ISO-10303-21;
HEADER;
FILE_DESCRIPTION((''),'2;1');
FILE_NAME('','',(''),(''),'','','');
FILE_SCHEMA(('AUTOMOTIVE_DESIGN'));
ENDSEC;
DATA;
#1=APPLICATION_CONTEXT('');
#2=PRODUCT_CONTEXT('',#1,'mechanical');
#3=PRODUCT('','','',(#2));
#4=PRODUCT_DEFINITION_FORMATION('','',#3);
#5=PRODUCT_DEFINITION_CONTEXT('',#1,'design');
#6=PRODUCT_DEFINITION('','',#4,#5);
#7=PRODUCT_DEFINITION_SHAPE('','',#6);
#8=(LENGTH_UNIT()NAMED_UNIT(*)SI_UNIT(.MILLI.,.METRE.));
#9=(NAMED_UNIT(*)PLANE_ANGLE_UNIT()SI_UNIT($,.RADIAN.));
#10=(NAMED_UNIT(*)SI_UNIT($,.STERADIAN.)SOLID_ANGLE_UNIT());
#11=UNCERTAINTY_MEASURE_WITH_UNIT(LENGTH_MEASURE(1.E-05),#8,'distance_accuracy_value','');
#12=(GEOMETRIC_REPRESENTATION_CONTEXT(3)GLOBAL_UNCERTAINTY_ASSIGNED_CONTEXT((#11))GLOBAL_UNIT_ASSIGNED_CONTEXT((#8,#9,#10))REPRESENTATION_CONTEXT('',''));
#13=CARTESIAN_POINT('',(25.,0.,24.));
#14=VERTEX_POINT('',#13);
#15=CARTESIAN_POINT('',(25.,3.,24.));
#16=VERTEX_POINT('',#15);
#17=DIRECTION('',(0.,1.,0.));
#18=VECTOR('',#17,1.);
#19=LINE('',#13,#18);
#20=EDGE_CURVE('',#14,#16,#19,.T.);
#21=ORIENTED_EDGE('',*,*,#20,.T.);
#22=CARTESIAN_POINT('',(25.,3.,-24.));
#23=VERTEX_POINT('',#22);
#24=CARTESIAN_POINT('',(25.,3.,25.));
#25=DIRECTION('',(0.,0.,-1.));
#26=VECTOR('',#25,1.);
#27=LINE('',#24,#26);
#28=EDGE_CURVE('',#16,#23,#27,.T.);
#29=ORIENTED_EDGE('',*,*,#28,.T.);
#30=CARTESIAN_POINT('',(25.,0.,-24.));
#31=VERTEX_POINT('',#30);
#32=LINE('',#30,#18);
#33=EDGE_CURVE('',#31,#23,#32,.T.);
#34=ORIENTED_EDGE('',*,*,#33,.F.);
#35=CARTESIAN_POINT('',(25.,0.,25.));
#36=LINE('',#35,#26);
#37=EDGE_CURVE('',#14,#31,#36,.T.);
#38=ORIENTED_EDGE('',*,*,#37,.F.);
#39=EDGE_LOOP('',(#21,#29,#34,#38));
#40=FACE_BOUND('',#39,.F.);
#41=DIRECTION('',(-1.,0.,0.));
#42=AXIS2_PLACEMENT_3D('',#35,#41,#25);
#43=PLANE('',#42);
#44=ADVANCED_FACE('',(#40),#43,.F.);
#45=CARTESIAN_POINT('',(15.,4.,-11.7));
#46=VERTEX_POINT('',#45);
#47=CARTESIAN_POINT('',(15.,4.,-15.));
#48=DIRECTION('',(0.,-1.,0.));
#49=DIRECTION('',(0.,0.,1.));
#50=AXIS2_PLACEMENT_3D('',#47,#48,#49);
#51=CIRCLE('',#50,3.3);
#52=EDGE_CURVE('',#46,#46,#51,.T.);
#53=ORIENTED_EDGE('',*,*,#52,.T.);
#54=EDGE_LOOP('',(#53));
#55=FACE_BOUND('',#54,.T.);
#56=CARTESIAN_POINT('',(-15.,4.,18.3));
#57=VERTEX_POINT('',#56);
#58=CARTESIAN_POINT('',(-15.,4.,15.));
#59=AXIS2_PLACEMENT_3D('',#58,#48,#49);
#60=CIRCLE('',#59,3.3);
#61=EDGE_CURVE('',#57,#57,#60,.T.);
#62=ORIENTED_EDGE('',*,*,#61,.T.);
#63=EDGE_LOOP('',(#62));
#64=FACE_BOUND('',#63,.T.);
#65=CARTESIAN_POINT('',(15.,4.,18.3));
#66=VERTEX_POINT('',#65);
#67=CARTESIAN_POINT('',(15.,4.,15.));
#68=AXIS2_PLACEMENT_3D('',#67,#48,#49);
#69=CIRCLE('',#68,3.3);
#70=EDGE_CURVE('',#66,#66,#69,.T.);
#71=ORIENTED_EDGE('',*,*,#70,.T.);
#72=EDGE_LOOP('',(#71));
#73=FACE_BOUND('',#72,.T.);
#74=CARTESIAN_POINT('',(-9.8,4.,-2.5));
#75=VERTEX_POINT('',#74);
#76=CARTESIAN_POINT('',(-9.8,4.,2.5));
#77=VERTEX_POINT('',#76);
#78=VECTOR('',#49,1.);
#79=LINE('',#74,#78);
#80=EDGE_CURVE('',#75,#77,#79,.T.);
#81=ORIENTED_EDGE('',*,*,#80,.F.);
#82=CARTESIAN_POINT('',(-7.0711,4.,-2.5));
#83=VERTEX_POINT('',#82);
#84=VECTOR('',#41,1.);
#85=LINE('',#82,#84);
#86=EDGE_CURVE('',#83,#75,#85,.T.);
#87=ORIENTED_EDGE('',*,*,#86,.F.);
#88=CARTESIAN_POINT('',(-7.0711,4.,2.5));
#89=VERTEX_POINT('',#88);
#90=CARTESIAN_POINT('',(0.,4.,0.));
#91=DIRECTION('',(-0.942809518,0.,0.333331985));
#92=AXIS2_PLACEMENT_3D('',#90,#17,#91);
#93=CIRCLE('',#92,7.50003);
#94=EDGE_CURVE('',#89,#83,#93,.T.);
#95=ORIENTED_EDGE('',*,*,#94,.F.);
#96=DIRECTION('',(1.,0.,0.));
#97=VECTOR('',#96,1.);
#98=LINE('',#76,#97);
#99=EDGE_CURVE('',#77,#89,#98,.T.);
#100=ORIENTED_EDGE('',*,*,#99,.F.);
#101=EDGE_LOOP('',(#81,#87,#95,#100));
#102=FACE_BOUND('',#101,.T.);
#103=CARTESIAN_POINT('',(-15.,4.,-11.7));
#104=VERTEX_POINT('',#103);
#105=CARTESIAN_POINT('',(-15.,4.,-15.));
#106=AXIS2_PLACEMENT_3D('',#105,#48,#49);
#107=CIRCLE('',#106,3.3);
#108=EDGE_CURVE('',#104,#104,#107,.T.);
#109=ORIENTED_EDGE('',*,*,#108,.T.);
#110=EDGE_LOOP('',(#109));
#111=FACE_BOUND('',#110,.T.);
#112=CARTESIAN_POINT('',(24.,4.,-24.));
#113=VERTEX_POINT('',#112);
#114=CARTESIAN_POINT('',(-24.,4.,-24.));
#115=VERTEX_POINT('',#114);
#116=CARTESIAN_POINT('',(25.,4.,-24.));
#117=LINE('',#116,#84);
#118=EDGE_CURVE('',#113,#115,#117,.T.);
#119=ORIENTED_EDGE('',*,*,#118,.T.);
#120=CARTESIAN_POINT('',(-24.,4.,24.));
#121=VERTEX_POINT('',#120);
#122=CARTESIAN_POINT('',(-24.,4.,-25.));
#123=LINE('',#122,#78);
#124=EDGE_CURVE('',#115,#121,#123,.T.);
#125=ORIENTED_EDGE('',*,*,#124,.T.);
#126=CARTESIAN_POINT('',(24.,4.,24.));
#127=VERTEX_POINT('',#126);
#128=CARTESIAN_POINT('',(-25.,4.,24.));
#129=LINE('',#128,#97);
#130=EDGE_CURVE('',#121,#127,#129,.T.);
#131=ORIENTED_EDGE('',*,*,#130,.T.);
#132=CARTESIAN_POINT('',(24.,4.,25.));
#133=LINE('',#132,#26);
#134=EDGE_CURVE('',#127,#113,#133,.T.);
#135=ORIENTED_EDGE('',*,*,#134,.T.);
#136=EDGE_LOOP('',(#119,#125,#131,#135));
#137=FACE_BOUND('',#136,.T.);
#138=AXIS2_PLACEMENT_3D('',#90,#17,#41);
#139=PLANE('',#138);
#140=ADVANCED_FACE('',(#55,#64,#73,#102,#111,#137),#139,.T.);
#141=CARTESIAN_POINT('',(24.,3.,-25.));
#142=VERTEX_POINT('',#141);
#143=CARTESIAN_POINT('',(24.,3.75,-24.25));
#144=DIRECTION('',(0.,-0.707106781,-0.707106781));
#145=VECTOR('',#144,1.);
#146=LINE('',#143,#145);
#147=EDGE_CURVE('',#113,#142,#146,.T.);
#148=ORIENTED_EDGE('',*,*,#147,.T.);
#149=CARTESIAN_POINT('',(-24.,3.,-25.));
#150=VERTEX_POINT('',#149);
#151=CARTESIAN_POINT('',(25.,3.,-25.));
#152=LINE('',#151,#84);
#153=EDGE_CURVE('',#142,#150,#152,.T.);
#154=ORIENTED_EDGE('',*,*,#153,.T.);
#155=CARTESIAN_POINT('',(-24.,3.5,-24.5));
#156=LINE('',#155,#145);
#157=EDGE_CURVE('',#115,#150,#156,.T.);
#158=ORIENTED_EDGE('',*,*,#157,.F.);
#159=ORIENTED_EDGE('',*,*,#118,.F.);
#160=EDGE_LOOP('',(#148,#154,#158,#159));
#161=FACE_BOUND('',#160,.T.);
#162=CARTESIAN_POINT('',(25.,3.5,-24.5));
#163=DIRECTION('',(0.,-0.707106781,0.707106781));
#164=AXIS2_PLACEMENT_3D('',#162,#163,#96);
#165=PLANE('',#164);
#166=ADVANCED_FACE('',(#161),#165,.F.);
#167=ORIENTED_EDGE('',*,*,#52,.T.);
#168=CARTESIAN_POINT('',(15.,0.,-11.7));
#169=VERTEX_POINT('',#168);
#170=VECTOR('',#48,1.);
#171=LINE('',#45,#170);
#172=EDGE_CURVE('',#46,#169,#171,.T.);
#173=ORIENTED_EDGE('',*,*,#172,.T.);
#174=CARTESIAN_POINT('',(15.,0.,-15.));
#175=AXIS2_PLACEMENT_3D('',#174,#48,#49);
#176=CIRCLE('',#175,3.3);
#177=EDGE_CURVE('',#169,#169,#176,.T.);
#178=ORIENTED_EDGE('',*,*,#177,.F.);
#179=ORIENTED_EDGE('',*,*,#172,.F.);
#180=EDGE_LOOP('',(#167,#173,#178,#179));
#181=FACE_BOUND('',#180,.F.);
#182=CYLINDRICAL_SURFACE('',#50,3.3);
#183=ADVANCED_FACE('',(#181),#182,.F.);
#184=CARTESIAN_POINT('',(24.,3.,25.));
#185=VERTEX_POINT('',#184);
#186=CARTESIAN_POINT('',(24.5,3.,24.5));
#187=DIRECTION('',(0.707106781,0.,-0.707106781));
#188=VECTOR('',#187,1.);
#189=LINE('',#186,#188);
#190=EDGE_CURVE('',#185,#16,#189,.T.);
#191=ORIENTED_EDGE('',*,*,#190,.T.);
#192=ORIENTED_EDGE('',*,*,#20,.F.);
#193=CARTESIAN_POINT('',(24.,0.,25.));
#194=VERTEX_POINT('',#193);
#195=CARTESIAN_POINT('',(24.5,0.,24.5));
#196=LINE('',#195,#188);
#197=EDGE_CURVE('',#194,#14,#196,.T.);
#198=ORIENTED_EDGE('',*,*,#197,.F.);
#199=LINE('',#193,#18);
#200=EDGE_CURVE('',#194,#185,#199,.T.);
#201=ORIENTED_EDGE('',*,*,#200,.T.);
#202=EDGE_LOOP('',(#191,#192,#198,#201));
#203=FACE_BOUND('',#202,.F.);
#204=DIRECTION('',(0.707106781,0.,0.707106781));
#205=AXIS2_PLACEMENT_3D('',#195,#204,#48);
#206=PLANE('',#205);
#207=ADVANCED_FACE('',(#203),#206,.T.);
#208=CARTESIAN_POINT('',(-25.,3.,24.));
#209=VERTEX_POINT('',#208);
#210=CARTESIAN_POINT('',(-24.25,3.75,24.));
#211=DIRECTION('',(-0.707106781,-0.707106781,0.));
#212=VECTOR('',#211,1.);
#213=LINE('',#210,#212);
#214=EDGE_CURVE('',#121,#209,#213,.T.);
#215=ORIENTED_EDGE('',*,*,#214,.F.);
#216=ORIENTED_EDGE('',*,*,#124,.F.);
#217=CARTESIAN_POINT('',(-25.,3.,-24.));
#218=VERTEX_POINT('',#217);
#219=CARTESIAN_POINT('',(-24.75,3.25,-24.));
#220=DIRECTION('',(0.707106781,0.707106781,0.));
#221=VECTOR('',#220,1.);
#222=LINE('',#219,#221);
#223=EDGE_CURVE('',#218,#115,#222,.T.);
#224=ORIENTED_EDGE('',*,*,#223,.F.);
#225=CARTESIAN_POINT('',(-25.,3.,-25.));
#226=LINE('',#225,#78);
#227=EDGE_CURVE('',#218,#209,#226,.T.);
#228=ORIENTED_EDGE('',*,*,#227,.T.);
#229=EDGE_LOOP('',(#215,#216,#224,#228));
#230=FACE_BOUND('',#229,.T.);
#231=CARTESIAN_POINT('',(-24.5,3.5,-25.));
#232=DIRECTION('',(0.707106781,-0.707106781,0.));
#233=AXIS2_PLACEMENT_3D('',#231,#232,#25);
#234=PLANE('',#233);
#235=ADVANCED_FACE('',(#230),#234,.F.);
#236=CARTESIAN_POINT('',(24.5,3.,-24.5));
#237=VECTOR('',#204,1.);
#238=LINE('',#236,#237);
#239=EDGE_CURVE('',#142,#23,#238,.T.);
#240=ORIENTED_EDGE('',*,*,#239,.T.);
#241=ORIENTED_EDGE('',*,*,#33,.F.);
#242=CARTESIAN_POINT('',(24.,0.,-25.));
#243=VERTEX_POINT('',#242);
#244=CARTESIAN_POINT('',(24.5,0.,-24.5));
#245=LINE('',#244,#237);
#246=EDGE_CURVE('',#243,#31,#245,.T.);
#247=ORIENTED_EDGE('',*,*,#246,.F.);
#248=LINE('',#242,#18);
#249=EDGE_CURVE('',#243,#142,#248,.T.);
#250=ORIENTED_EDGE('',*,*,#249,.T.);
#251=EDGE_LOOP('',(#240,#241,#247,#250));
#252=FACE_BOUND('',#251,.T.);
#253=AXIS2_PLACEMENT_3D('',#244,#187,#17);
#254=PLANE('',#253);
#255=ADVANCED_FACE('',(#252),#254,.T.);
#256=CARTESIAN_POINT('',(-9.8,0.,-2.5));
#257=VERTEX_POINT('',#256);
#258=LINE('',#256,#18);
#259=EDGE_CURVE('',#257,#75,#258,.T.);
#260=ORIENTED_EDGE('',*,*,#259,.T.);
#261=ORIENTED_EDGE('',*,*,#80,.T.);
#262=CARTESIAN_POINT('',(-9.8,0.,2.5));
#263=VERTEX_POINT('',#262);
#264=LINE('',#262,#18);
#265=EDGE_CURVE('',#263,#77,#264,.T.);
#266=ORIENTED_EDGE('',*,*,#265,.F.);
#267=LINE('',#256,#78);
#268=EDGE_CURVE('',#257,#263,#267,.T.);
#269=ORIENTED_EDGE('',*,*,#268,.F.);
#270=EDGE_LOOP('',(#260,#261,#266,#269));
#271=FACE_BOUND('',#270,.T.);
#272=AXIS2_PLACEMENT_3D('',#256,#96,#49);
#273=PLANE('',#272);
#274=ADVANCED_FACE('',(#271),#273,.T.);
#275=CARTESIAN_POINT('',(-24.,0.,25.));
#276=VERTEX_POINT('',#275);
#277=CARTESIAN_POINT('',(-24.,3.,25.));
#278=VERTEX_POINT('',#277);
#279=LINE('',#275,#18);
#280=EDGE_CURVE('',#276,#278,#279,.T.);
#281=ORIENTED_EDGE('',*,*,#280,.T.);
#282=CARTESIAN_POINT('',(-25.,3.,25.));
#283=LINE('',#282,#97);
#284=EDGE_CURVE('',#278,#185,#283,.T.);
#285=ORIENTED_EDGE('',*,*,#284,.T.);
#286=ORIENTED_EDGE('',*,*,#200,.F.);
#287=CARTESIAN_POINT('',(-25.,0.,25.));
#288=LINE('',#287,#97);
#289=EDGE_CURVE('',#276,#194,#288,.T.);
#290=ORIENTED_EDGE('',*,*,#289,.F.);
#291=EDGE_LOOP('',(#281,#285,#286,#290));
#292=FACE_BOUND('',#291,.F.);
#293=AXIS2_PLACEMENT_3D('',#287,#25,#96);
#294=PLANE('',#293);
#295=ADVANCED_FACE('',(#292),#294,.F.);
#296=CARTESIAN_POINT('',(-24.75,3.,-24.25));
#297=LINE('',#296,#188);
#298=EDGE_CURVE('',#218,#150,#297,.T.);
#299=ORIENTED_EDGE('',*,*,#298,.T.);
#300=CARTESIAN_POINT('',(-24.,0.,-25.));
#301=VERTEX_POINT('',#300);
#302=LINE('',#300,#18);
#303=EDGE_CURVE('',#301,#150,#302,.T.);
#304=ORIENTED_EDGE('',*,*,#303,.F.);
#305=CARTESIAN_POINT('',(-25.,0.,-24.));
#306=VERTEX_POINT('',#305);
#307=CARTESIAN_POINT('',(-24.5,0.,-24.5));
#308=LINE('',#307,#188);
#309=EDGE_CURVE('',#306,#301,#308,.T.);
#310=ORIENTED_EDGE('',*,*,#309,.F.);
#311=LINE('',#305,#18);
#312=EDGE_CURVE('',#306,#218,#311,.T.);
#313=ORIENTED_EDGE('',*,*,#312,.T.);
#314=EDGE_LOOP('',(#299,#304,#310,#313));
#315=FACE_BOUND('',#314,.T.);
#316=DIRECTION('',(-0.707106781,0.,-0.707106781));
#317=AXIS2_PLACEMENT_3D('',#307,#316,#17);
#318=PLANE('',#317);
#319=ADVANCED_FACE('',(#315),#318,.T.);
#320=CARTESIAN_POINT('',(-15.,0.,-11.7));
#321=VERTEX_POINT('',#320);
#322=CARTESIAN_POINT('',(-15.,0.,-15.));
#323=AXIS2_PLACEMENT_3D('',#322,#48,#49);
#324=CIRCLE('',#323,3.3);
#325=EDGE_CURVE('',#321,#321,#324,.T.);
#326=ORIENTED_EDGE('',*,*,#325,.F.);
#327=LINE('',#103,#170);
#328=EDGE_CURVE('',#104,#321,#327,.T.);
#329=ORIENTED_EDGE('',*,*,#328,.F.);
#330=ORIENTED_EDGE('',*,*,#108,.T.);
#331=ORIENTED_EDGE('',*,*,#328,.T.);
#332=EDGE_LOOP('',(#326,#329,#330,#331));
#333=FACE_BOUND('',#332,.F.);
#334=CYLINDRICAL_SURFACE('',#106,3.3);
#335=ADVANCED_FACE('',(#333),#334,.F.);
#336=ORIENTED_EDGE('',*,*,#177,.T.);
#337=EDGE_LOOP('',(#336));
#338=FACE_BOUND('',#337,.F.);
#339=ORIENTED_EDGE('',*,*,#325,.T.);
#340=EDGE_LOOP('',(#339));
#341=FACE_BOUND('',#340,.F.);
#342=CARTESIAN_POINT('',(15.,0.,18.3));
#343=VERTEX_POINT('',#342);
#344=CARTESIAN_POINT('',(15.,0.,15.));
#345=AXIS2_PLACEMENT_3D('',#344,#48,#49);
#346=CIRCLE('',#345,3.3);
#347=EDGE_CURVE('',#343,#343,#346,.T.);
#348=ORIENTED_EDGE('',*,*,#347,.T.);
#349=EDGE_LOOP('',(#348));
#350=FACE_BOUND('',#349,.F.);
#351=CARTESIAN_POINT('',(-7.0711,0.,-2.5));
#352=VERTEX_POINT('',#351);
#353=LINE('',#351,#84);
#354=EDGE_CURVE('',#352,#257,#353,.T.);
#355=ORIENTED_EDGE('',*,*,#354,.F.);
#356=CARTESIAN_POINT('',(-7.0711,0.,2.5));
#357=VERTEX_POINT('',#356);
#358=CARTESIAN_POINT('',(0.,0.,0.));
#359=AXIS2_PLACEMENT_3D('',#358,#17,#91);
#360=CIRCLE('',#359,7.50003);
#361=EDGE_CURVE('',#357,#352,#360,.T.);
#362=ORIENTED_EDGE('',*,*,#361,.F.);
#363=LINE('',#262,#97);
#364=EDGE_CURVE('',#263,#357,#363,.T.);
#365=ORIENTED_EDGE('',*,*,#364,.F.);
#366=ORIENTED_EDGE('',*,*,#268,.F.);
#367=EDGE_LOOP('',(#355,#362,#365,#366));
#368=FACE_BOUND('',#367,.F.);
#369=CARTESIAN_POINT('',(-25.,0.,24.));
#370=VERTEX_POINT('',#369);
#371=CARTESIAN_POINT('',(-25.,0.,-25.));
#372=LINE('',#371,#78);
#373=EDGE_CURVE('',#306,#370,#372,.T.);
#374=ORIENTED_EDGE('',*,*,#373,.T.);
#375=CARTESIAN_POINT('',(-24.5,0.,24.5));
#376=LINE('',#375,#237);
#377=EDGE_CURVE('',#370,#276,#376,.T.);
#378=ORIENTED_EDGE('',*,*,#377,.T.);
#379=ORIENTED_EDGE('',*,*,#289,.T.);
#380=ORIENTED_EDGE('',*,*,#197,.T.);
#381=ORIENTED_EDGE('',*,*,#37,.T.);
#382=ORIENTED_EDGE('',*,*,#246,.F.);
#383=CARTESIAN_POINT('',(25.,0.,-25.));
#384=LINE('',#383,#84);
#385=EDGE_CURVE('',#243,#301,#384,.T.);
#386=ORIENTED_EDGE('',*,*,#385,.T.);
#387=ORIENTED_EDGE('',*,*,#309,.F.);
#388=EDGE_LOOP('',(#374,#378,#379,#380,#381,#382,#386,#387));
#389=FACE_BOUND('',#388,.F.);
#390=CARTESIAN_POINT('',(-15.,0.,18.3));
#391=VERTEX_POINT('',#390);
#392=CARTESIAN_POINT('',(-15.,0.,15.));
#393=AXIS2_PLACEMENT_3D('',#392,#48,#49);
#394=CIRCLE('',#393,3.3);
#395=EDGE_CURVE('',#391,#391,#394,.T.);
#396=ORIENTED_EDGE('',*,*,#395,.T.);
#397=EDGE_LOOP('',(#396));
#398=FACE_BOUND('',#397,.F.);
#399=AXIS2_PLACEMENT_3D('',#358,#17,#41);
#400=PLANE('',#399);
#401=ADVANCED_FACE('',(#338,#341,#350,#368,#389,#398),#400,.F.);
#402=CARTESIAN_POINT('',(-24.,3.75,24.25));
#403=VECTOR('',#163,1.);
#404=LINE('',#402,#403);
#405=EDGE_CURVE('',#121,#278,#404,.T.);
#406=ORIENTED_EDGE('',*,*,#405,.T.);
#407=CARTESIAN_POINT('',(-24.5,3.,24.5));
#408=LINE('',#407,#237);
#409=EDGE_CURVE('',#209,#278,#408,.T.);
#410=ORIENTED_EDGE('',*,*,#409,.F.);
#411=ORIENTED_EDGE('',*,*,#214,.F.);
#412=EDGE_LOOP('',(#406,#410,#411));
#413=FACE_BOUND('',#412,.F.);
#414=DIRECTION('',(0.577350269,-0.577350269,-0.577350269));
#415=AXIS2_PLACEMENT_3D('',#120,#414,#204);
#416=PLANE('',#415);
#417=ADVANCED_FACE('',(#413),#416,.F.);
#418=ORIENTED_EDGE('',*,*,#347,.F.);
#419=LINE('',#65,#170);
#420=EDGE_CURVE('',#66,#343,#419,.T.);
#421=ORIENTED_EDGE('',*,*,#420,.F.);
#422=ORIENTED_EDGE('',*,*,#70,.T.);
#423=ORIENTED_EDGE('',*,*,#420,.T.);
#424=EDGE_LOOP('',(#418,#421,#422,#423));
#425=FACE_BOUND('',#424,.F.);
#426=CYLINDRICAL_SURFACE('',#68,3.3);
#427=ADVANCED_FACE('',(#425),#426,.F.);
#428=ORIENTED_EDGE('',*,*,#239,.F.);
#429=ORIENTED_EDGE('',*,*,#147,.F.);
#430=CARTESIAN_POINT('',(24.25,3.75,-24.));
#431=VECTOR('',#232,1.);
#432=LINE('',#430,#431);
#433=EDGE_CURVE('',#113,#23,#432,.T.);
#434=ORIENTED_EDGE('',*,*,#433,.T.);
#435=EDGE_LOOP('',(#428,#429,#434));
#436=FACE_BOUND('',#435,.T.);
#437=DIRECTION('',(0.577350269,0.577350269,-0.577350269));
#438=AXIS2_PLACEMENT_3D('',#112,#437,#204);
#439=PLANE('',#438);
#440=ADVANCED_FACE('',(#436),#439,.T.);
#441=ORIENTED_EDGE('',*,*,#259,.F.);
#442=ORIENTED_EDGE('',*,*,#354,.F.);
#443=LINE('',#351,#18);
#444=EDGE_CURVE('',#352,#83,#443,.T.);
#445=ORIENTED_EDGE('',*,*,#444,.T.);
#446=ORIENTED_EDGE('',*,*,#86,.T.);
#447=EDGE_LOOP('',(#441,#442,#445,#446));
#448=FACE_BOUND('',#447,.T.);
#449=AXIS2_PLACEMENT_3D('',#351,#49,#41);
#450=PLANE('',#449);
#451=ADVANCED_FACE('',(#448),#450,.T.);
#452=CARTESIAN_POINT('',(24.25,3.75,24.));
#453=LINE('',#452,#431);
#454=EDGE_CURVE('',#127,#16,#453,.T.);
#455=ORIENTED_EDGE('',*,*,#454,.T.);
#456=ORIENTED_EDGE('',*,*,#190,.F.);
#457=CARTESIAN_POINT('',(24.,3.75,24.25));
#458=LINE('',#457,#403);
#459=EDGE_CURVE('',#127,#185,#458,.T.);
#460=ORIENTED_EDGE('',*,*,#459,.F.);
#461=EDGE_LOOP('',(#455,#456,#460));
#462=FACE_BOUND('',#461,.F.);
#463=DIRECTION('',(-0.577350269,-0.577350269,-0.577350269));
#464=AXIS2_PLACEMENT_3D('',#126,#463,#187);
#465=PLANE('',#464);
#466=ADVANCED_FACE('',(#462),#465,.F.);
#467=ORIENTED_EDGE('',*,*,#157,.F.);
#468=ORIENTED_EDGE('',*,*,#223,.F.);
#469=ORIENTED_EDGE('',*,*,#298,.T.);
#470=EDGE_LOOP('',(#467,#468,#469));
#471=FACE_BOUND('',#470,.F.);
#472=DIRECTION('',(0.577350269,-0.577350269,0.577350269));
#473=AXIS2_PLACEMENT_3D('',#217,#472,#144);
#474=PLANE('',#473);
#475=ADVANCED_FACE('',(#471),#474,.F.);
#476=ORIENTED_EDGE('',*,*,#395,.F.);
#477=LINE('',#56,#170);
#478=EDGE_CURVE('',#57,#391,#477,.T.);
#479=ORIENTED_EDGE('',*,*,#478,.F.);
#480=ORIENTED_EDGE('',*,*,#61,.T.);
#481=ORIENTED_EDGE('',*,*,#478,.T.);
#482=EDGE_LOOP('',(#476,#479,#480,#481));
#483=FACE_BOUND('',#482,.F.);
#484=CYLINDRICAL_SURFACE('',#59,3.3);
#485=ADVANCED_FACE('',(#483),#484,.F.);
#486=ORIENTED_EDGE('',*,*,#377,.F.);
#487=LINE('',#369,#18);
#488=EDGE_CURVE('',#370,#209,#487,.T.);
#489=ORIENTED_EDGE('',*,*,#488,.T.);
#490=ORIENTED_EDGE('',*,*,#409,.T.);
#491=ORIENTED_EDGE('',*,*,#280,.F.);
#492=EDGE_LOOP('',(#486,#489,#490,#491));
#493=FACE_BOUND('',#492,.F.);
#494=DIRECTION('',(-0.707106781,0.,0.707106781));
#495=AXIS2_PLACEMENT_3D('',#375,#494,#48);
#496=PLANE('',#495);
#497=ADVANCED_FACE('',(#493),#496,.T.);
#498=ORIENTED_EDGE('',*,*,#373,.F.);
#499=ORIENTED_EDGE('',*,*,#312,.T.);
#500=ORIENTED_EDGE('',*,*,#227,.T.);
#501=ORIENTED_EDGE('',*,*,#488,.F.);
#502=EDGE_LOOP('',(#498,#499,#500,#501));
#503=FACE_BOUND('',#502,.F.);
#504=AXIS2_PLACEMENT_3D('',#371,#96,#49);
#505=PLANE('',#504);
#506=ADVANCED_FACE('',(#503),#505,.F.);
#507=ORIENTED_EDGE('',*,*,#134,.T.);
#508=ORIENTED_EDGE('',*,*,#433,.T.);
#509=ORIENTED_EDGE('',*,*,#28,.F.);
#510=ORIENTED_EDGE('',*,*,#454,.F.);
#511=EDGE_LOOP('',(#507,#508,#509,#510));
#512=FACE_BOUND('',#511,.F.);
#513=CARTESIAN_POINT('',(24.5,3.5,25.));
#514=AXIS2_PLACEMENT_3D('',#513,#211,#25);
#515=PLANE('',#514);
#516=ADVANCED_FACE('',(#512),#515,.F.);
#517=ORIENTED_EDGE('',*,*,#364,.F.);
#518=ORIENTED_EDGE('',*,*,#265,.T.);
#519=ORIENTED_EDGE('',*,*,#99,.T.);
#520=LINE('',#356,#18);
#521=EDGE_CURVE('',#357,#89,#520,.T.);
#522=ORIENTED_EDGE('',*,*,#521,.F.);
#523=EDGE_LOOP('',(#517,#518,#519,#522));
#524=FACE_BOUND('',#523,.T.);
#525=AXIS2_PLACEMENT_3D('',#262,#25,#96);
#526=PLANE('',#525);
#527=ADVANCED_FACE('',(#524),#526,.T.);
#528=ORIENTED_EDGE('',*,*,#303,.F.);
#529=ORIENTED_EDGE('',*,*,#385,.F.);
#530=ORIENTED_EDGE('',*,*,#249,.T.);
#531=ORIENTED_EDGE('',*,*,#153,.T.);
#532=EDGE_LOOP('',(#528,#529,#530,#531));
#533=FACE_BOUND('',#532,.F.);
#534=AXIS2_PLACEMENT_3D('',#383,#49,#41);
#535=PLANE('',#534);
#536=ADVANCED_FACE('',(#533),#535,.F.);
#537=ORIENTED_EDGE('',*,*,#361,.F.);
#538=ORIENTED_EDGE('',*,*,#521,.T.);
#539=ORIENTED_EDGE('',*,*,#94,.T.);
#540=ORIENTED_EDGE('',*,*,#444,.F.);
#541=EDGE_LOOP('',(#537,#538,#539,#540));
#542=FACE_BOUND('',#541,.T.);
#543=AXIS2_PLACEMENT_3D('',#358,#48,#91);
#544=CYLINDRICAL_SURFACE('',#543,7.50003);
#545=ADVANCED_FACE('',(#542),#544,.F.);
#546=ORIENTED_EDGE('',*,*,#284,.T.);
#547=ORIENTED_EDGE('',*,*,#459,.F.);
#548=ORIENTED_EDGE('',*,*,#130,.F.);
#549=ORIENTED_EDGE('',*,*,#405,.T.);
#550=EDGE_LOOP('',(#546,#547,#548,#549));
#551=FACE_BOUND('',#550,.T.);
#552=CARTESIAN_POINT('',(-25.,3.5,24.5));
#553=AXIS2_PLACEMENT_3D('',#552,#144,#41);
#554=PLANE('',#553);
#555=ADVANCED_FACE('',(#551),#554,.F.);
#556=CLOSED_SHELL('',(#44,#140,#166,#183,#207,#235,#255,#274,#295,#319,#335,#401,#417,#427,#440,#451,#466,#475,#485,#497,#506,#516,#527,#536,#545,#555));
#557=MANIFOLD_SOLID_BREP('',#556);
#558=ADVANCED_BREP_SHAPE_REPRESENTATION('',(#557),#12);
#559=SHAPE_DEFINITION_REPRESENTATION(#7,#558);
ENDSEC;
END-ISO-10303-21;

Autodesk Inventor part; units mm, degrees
ref_plane "YZ Plane" through (0, 0, 0) normal (1, 0, 0) x (0, 1, 0)
ref_plane "XZ Plane" through (0, 0, 0) normal (0, 1, 0) x (-1, 0, 0)
ref_plane "XY Plane" through (0, 0, 0) normal (0, 0, 1) x (1, 0, 0)
sketch "Sketch1" plane through (0, 0, 0) normal (0, 1, 0) x (-1, 0, 0)
  line L0 (0, -14.0533) -> (0, 14.0533) construction
  line L1 (4.9803, 0) -> (-4.9803, 0) construction
  line L2 (25, 25) -> (-25, 25)
  line L3 (-25, 25) -> (-25, -25)
  line L4 (-25, -25) -> (25, -25)
  line L5 (25, -25) -> (25, 25)
  arc A0 (7.0711, 2.5) -> (7.0711, -2.5) centre (0, 0) ccw
  line L6 (9.8, 2.5) -> (7.0711, 2.5)
  line L7 (7.0711, -2.5) -> (9.8, -2.5)
  line L8 (9.8, -2.5) -> (9.8, 2.5)
  dimension "d0" = 50
  dimension "d1" = 15
  dimension "d18" = 5
  dimension "d19" = 9.8
extrude "Extrusion1" add sketch "Sketch1" along normal blind 4
sketch "Sketch2" plane through (0, 4, 0) normal (0, 1, 0) x (1, 0, 0)
  line L0 (25, 25) -> (-25, 25) projected
  line L1 (-25, 25) -> (-25, -25) projected
  line L2 (-25, -25) -> (25, -25) projected
  line L3 (25, -25) -> (25, 25) projected
  point P0 (0, 0)
  point P1 (-15, -15)
  point P2 (-15, 15)
  point P3 (15, 15)
  point P4 (15, -15)
  dimension "d4" = 10
  dimension "d5" = 10
  dimension "d6" = 10
  dimension "d7" = 10
hole "Hole1" at (-15, 4, 15) at (-15, 4, -15) at (15, 4, -15) at (15, 4, 15) direction (0, -1, 0) diameter 6.6 end through all clearance for "Hex Head Cap Screw DIN EN 24017" size "M6" standard "DIN"
chamfer "Chamfer1" distance 1 angle 45 8 edges at (-25, 2, 25) (25, 2, 25) (25, 2, -25) (0, 4, -25) (-25, 4, 0) (0, 4, 25) (25, 4, 0) (-25, 2, -25)
properties part number "FlanschV1"
